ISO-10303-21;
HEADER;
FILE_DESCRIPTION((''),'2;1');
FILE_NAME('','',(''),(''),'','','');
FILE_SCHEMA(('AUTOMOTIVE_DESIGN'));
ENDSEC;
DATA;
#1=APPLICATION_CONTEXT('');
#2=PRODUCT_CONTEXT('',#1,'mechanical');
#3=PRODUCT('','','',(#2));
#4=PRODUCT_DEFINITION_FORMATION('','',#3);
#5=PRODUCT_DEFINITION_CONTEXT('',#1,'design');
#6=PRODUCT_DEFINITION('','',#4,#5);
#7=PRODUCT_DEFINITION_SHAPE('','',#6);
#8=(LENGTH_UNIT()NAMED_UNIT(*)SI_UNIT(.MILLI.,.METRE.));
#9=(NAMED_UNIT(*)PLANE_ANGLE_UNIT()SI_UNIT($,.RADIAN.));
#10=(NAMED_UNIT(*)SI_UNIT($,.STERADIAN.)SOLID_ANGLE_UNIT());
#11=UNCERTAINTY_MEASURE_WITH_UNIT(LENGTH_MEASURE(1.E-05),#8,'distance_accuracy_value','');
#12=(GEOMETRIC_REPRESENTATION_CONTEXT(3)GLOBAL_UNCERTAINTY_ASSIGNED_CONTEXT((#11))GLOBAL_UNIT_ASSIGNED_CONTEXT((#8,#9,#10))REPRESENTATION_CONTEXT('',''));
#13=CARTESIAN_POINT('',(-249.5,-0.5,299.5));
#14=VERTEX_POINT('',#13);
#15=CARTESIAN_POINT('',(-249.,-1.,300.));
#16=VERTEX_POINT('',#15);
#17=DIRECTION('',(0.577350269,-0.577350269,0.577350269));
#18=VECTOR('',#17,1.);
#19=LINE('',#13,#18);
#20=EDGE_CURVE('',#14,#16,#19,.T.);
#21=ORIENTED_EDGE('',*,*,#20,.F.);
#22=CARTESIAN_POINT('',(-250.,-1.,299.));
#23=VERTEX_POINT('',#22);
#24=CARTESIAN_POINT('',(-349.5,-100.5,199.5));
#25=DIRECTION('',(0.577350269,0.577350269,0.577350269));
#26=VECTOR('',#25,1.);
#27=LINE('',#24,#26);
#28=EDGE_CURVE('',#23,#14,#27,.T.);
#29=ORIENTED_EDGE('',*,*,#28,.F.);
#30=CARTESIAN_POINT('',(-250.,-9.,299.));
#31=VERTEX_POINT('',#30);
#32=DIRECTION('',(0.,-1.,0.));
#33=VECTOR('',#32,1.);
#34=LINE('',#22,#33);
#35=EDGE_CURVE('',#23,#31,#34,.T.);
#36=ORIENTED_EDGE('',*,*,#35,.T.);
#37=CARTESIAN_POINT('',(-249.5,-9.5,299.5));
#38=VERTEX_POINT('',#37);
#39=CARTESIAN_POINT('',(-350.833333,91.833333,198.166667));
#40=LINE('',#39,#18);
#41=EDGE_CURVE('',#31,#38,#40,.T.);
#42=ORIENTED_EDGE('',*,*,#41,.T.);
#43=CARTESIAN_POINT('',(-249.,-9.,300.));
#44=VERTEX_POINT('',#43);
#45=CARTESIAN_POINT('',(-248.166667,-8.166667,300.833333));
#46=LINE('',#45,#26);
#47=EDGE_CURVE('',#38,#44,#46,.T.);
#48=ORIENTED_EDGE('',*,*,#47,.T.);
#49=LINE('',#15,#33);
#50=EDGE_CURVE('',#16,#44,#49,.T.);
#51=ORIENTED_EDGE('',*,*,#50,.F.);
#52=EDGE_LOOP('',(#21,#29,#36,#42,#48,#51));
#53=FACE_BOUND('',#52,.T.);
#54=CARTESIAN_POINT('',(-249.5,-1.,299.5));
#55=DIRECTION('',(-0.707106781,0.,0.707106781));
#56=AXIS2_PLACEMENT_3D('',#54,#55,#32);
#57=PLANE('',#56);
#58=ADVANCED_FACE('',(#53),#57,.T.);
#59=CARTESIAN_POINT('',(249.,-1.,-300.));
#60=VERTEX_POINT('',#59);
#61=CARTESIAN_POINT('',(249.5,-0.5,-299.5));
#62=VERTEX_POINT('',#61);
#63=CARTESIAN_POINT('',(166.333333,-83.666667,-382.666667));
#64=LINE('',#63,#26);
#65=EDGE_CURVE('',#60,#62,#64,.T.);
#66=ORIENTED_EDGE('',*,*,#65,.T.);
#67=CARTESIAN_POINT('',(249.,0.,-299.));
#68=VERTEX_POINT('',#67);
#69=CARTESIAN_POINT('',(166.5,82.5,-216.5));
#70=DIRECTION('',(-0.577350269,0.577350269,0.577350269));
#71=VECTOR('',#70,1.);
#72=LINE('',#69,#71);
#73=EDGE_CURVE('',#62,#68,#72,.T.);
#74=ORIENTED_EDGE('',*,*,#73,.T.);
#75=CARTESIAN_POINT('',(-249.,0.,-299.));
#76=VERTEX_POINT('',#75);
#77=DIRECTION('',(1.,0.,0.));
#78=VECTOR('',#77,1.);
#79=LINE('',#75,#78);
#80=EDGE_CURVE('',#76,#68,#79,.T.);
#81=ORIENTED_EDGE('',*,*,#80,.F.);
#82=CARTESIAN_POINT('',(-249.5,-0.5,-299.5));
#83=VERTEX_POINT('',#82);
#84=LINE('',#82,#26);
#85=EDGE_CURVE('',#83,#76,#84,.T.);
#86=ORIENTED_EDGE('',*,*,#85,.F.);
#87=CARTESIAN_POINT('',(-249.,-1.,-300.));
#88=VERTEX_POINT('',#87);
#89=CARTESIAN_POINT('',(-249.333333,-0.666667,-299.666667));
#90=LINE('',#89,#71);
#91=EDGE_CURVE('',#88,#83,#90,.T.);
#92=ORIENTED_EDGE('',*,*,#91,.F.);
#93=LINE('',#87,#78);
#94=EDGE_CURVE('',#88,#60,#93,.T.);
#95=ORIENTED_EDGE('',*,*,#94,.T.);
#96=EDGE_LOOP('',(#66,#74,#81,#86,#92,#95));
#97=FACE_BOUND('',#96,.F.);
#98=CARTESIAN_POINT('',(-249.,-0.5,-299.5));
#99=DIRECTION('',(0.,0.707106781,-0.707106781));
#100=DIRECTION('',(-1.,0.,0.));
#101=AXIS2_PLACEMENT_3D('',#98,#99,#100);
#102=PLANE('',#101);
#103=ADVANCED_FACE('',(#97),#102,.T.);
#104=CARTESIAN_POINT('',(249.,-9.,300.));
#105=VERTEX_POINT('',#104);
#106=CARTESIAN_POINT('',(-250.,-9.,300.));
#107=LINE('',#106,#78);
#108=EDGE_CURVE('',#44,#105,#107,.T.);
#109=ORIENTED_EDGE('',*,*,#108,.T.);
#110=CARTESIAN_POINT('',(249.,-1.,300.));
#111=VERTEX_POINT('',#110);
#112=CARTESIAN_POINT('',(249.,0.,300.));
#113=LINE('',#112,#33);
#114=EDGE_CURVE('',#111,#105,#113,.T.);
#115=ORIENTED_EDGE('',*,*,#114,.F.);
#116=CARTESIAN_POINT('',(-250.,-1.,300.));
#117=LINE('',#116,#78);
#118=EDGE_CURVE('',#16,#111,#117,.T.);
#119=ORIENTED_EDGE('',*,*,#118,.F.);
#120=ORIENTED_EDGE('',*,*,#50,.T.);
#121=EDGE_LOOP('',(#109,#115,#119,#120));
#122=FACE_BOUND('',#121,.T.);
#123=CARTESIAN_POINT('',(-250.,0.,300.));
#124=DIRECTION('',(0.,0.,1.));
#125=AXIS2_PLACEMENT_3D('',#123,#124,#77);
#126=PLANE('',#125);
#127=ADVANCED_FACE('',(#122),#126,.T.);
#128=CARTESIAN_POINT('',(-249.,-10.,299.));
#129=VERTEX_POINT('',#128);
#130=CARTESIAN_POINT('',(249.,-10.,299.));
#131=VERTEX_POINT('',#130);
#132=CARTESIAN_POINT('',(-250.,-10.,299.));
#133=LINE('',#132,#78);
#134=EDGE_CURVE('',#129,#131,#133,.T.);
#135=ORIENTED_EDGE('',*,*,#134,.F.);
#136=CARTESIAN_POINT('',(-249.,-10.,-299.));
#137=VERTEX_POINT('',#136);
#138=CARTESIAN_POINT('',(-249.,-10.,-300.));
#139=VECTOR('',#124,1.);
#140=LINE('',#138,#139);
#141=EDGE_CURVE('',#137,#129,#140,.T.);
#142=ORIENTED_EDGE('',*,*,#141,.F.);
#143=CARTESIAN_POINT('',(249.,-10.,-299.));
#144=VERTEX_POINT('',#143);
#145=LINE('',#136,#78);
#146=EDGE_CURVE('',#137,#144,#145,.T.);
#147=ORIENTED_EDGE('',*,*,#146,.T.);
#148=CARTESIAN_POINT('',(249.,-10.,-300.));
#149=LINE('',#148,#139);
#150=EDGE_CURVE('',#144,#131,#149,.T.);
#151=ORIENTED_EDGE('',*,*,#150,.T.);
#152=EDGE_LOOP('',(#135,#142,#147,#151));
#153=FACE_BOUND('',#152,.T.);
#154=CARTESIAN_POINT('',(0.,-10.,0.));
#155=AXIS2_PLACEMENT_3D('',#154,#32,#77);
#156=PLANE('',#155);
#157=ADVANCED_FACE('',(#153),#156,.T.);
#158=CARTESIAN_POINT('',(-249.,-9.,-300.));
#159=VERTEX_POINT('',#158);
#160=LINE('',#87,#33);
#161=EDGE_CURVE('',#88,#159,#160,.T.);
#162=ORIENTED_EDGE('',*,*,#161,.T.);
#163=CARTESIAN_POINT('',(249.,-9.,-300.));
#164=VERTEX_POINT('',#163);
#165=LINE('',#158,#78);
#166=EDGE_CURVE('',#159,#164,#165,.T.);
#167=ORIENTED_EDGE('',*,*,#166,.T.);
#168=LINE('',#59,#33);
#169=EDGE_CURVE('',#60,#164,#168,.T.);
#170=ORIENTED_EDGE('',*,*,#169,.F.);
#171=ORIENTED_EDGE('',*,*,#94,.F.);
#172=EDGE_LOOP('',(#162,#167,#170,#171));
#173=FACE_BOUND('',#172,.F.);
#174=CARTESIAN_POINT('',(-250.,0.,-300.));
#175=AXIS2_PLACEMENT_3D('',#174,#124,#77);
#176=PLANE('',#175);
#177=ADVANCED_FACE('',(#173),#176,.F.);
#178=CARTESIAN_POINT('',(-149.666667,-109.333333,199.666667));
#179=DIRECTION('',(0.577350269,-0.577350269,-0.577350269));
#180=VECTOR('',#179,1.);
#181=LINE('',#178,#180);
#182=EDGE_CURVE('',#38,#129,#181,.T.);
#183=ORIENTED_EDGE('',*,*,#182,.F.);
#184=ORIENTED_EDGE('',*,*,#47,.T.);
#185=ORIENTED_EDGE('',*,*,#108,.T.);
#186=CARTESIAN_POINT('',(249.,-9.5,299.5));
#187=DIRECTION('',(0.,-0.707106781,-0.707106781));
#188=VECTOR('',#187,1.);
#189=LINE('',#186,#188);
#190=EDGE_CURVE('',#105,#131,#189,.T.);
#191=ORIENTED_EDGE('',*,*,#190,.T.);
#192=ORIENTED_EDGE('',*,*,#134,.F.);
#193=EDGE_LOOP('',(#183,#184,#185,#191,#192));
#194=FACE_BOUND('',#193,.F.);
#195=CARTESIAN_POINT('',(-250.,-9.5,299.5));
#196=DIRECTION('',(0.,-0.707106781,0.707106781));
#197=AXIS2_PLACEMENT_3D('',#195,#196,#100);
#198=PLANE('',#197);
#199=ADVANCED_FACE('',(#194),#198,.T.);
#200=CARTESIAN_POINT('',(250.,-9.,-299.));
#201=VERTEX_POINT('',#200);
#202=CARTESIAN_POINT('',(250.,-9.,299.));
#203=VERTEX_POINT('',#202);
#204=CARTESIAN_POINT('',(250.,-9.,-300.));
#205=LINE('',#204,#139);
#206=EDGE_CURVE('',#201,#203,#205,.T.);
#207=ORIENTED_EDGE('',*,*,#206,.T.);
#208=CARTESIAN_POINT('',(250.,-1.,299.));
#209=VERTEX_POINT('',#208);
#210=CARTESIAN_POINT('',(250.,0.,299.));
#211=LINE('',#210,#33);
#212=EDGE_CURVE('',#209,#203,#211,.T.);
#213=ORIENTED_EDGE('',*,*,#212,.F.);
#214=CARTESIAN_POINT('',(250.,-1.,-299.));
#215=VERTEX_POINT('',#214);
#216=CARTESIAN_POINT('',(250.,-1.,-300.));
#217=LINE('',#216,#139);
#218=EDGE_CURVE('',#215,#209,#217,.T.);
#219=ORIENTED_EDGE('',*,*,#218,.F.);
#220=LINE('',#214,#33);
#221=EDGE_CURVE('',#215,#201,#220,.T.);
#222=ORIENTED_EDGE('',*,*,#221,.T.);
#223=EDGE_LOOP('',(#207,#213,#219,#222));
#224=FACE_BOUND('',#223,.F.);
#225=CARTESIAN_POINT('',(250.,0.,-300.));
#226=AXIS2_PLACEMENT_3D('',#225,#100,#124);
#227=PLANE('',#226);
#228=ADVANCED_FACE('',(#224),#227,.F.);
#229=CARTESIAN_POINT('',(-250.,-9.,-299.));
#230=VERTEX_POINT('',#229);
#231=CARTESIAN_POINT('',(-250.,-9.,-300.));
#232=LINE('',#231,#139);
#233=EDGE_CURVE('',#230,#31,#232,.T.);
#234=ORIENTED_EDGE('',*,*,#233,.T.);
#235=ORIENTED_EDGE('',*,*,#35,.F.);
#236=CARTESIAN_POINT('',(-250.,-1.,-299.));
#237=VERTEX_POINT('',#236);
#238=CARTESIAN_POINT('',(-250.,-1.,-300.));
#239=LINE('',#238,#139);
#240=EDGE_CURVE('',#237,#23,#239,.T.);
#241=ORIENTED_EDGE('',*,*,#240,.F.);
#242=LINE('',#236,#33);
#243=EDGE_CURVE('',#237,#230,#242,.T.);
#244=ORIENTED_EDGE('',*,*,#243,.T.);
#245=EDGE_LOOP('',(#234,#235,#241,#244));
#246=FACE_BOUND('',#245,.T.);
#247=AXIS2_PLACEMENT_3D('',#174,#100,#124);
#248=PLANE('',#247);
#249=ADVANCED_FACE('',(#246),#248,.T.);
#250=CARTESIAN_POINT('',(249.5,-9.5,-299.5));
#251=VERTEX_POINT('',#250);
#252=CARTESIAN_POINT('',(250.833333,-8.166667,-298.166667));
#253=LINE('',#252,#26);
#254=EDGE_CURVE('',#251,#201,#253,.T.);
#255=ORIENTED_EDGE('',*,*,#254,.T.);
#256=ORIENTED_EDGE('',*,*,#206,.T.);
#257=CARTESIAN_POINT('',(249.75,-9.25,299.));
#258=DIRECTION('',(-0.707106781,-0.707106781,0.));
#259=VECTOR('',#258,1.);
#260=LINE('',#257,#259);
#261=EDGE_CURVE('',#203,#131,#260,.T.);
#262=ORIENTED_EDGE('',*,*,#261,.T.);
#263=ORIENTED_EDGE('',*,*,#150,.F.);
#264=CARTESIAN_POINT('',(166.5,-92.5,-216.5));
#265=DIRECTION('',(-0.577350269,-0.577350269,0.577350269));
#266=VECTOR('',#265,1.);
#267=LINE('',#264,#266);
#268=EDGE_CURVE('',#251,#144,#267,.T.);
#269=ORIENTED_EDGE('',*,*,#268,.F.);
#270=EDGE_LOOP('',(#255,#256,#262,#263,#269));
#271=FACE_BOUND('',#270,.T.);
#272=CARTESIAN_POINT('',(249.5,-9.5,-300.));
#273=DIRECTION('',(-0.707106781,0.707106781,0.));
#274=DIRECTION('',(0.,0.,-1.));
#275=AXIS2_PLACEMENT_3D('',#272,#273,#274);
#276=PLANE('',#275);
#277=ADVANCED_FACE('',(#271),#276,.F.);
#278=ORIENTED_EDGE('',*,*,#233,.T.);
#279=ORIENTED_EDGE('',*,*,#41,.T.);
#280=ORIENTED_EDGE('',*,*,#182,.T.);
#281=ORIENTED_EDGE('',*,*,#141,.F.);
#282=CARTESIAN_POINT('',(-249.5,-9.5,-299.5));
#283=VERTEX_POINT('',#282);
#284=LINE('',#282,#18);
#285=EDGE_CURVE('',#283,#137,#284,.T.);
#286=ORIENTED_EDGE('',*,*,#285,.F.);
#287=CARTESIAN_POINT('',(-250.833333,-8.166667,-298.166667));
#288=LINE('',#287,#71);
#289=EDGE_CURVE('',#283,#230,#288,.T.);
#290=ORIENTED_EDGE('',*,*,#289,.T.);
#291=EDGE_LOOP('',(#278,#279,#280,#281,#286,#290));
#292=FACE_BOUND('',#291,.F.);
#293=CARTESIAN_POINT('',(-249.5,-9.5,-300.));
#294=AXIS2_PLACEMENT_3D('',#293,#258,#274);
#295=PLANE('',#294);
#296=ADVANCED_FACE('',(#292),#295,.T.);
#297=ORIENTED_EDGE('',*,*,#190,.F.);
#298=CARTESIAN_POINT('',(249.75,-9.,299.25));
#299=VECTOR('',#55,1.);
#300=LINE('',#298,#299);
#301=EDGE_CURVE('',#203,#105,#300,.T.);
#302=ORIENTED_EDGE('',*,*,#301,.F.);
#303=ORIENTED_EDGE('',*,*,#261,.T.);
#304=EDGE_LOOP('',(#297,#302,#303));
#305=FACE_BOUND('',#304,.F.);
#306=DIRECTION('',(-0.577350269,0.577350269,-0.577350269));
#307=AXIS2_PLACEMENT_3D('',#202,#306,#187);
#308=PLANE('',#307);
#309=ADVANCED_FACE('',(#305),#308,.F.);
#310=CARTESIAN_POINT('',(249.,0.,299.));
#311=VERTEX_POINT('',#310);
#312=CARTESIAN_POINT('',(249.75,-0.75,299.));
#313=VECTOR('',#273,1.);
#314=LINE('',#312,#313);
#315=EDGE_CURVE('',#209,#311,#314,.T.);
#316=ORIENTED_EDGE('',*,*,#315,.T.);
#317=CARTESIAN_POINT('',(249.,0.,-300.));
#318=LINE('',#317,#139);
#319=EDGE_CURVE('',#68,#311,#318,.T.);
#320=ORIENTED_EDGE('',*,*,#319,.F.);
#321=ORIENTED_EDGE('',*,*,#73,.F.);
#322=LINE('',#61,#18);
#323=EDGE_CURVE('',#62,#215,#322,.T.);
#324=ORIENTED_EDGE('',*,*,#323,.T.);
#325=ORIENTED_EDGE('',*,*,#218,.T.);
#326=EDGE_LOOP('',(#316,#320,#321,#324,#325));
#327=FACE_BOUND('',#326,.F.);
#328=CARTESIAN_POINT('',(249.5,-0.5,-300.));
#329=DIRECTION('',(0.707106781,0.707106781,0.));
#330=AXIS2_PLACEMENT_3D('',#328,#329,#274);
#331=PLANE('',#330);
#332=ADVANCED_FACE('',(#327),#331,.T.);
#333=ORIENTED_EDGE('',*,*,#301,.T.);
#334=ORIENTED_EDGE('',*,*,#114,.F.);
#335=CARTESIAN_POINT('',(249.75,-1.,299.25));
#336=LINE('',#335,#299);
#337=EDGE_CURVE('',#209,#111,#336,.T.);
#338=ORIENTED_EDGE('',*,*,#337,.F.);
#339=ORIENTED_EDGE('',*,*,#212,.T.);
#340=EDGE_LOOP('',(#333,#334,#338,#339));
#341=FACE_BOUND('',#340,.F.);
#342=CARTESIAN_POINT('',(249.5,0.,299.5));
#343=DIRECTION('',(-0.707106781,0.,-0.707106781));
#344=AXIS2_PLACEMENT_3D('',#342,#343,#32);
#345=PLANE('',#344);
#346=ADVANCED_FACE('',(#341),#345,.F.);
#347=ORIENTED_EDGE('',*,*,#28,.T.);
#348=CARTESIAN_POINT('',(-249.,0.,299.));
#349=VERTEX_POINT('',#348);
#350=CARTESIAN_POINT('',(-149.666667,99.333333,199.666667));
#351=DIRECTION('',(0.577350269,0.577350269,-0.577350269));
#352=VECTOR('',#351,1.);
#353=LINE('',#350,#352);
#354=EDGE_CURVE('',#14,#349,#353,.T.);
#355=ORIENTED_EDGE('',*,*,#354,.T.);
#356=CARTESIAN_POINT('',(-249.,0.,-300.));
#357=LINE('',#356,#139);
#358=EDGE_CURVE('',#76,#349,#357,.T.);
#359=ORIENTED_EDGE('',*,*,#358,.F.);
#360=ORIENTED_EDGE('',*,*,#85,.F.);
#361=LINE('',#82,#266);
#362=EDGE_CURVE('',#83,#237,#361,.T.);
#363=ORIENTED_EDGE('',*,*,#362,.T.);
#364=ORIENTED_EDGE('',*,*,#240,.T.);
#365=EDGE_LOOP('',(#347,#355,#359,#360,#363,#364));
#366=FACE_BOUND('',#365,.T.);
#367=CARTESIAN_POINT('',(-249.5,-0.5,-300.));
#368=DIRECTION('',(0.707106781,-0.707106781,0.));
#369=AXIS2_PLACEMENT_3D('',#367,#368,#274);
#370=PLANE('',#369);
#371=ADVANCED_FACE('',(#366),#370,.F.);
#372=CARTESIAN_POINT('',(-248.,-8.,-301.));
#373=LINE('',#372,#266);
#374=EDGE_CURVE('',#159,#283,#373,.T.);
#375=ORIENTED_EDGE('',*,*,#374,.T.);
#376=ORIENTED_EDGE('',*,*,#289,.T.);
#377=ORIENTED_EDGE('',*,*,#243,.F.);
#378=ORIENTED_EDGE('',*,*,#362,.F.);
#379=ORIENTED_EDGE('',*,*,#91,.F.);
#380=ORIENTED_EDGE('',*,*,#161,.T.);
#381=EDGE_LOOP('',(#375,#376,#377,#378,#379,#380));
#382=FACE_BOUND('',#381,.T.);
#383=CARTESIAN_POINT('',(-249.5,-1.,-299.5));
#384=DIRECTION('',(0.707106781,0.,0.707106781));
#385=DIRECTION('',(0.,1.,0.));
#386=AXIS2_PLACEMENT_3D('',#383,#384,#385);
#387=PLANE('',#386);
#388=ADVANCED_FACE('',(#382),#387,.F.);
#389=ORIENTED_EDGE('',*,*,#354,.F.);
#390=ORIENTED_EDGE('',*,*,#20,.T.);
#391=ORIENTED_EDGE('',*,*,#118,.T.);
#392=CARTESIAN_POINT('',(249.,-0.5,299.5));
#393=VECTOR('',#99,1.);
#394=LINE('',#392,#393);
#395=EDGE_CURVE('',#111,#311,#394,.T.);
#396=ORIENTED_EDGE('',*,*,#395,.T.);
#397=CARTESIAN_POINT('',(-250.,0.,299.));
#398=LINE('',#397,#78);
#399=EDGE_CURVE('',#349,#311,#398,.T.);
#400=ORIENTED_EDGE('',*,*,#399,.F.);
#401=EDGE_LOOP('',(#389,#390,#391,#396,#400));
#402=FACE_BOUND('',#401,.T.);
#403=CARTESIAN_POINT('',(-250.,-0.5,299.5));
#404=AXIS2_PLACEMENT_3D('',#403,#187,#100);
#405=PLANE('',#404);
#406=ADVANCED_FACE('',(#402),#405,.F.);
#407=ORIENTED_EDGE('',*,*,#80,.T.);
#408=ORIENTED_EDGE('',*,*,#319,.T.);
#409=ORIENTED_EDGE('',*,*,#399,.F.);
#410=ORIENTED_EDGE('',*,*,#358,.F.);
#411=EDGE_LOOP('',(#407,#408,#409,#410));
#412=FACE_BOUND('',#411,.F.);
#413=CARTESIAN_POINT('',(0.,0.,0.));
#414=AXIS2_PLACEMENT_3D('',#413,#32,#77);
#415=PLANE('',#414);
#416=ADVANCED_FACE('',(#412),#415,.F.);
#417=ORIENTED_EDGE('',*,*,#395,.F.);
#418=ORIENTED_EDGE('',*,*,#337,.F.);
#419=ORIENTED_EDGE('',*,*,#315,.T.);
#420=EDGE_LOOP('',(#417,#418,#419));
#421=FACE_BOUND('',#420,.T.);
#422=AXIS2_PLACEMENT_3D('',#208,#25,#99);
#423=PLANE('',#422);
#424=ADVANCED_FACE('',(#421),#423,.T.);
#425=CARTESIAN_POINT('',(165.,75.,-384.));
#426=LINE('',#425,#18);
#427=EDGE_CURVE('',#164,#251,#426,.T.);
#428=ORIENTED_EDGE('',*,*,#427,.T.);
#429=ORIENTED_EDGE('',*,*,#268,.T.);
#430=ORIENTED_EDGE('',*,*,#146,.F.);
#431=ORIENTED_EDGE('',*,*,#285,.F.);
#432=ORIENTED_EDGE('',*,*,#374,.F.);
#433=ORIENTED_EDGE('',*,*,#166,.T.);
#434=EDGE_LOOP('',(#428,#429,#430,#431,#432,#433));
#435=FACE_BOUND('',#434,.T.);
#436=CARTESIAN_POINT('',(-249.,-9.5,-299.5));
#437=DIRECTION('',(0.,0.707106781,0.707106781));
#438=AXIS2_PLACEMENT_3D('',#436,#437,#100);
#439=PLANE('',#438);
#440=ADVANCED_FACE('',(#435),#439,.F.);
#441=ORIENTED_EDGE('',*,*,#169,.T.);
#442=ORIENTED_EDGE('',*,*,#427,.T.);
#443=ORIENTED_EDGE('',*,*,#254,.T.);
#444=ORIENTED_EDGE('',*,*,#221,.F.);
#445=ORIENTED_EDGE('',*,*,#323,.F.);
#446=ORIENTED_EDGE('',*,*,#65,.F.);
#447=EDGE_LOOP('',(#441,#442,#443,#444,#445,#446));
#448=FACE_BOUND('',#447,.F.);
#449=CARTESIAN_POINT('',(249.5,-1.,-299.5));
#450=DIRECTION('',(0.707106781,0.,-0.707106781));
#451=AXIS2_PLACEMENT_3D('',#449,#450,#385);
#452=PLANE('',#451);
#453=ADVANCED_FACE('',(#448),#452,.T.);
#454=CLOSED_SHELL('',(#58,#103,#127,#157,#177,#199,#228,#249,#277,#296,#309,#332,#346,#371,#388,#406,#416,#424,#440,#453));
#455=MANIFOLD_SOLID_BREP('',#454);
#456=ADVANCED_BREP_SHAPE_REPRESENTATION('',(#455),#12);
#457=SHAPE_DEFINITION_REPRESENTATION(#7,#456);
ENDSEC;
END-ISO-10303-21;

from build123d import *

# Parameters (mm, degrees)
F0_W     = 500
F0_H     = 600
F1_DEPTH = 10
F2_SIZE  = 1
F3_SIZE  = 1
F4_SIZE  = 1


with BuildPart() as f1:
    # F0 (on Front) → F1 (new body)
    with BuildSketch(Plane.XZ):
        Rectangle(F0_W, F0_H)
    extrude(amount=F1_DEPTH)

    # F2
    f2_edges = [f1.edges().sort_by_distance(p)[0] for p in [
        (0, -10, 300),
        (0, 0, 300),
        (250, -5, 300),
        (250, 0, 0),
        (250, -10, 0),
    ]]
    chamfer(f2_edges, length=F2_SIZE)

    # F3 (call 1 of 3: OpenCascade refuses the feature's edges together)
    f3_edges = [f1.edges().sort_by_distance(p)[0] for p in [
        (-250, -5, 300),
    ]]
    chamfer(f3_edges, length=F3_SIZE)

    # F3#2 (call 2 of 3)
    f3_2_edges = [f1.edges().sort_by_distance(p)[0] for p in [
        (-250, -10, -0.5),
    ]]
    chamfer(f3_2_edges, length=F3_SIZE)

    # F3#3 (call 3 of 3)
    f3_3_edges = [f1.edges().sort_by_distance(p)[0] for p in [
        (-250, 0, -0.5),
    ]]
    chamfer(f3_3_edges, length=F3_SIZE)

    # F4 (call 1 of 4: OpenCascade refuses the feature's edges together)
    f4_edges = [f1.edges().sort_by_distance(p)[0] for p in [
        (250, -5, -300),
    ]]
    chamfer(f4_edges, length=F4_SIZE)

    # F4#2 (call 2 of 4)
    f4_2_edges = [f1.edges().sort_by_distance(p)[0] for p in [
        (0, -10, -300),
    ]]
    chamfer(f4_2_edges, length=F4_SIZE)

    # F4#3 (call 3 of 4)
    f4_3_edges = [f1.edges().sort_by_distance(p)[0] for p in [
        (0, 0, -300),
    ]]
    chamfer(f4_3_edges, length=F4_SIZE)

    # F4#4 (call 4 of 4)
    f4_4_edges = [f1.edges().sort_by_distance(p)[0] for p in [
        (-250, -5, -300),
    ]]
    chamfer(f4_4_edges, length=F4_SIZE)


solid = f1.part
